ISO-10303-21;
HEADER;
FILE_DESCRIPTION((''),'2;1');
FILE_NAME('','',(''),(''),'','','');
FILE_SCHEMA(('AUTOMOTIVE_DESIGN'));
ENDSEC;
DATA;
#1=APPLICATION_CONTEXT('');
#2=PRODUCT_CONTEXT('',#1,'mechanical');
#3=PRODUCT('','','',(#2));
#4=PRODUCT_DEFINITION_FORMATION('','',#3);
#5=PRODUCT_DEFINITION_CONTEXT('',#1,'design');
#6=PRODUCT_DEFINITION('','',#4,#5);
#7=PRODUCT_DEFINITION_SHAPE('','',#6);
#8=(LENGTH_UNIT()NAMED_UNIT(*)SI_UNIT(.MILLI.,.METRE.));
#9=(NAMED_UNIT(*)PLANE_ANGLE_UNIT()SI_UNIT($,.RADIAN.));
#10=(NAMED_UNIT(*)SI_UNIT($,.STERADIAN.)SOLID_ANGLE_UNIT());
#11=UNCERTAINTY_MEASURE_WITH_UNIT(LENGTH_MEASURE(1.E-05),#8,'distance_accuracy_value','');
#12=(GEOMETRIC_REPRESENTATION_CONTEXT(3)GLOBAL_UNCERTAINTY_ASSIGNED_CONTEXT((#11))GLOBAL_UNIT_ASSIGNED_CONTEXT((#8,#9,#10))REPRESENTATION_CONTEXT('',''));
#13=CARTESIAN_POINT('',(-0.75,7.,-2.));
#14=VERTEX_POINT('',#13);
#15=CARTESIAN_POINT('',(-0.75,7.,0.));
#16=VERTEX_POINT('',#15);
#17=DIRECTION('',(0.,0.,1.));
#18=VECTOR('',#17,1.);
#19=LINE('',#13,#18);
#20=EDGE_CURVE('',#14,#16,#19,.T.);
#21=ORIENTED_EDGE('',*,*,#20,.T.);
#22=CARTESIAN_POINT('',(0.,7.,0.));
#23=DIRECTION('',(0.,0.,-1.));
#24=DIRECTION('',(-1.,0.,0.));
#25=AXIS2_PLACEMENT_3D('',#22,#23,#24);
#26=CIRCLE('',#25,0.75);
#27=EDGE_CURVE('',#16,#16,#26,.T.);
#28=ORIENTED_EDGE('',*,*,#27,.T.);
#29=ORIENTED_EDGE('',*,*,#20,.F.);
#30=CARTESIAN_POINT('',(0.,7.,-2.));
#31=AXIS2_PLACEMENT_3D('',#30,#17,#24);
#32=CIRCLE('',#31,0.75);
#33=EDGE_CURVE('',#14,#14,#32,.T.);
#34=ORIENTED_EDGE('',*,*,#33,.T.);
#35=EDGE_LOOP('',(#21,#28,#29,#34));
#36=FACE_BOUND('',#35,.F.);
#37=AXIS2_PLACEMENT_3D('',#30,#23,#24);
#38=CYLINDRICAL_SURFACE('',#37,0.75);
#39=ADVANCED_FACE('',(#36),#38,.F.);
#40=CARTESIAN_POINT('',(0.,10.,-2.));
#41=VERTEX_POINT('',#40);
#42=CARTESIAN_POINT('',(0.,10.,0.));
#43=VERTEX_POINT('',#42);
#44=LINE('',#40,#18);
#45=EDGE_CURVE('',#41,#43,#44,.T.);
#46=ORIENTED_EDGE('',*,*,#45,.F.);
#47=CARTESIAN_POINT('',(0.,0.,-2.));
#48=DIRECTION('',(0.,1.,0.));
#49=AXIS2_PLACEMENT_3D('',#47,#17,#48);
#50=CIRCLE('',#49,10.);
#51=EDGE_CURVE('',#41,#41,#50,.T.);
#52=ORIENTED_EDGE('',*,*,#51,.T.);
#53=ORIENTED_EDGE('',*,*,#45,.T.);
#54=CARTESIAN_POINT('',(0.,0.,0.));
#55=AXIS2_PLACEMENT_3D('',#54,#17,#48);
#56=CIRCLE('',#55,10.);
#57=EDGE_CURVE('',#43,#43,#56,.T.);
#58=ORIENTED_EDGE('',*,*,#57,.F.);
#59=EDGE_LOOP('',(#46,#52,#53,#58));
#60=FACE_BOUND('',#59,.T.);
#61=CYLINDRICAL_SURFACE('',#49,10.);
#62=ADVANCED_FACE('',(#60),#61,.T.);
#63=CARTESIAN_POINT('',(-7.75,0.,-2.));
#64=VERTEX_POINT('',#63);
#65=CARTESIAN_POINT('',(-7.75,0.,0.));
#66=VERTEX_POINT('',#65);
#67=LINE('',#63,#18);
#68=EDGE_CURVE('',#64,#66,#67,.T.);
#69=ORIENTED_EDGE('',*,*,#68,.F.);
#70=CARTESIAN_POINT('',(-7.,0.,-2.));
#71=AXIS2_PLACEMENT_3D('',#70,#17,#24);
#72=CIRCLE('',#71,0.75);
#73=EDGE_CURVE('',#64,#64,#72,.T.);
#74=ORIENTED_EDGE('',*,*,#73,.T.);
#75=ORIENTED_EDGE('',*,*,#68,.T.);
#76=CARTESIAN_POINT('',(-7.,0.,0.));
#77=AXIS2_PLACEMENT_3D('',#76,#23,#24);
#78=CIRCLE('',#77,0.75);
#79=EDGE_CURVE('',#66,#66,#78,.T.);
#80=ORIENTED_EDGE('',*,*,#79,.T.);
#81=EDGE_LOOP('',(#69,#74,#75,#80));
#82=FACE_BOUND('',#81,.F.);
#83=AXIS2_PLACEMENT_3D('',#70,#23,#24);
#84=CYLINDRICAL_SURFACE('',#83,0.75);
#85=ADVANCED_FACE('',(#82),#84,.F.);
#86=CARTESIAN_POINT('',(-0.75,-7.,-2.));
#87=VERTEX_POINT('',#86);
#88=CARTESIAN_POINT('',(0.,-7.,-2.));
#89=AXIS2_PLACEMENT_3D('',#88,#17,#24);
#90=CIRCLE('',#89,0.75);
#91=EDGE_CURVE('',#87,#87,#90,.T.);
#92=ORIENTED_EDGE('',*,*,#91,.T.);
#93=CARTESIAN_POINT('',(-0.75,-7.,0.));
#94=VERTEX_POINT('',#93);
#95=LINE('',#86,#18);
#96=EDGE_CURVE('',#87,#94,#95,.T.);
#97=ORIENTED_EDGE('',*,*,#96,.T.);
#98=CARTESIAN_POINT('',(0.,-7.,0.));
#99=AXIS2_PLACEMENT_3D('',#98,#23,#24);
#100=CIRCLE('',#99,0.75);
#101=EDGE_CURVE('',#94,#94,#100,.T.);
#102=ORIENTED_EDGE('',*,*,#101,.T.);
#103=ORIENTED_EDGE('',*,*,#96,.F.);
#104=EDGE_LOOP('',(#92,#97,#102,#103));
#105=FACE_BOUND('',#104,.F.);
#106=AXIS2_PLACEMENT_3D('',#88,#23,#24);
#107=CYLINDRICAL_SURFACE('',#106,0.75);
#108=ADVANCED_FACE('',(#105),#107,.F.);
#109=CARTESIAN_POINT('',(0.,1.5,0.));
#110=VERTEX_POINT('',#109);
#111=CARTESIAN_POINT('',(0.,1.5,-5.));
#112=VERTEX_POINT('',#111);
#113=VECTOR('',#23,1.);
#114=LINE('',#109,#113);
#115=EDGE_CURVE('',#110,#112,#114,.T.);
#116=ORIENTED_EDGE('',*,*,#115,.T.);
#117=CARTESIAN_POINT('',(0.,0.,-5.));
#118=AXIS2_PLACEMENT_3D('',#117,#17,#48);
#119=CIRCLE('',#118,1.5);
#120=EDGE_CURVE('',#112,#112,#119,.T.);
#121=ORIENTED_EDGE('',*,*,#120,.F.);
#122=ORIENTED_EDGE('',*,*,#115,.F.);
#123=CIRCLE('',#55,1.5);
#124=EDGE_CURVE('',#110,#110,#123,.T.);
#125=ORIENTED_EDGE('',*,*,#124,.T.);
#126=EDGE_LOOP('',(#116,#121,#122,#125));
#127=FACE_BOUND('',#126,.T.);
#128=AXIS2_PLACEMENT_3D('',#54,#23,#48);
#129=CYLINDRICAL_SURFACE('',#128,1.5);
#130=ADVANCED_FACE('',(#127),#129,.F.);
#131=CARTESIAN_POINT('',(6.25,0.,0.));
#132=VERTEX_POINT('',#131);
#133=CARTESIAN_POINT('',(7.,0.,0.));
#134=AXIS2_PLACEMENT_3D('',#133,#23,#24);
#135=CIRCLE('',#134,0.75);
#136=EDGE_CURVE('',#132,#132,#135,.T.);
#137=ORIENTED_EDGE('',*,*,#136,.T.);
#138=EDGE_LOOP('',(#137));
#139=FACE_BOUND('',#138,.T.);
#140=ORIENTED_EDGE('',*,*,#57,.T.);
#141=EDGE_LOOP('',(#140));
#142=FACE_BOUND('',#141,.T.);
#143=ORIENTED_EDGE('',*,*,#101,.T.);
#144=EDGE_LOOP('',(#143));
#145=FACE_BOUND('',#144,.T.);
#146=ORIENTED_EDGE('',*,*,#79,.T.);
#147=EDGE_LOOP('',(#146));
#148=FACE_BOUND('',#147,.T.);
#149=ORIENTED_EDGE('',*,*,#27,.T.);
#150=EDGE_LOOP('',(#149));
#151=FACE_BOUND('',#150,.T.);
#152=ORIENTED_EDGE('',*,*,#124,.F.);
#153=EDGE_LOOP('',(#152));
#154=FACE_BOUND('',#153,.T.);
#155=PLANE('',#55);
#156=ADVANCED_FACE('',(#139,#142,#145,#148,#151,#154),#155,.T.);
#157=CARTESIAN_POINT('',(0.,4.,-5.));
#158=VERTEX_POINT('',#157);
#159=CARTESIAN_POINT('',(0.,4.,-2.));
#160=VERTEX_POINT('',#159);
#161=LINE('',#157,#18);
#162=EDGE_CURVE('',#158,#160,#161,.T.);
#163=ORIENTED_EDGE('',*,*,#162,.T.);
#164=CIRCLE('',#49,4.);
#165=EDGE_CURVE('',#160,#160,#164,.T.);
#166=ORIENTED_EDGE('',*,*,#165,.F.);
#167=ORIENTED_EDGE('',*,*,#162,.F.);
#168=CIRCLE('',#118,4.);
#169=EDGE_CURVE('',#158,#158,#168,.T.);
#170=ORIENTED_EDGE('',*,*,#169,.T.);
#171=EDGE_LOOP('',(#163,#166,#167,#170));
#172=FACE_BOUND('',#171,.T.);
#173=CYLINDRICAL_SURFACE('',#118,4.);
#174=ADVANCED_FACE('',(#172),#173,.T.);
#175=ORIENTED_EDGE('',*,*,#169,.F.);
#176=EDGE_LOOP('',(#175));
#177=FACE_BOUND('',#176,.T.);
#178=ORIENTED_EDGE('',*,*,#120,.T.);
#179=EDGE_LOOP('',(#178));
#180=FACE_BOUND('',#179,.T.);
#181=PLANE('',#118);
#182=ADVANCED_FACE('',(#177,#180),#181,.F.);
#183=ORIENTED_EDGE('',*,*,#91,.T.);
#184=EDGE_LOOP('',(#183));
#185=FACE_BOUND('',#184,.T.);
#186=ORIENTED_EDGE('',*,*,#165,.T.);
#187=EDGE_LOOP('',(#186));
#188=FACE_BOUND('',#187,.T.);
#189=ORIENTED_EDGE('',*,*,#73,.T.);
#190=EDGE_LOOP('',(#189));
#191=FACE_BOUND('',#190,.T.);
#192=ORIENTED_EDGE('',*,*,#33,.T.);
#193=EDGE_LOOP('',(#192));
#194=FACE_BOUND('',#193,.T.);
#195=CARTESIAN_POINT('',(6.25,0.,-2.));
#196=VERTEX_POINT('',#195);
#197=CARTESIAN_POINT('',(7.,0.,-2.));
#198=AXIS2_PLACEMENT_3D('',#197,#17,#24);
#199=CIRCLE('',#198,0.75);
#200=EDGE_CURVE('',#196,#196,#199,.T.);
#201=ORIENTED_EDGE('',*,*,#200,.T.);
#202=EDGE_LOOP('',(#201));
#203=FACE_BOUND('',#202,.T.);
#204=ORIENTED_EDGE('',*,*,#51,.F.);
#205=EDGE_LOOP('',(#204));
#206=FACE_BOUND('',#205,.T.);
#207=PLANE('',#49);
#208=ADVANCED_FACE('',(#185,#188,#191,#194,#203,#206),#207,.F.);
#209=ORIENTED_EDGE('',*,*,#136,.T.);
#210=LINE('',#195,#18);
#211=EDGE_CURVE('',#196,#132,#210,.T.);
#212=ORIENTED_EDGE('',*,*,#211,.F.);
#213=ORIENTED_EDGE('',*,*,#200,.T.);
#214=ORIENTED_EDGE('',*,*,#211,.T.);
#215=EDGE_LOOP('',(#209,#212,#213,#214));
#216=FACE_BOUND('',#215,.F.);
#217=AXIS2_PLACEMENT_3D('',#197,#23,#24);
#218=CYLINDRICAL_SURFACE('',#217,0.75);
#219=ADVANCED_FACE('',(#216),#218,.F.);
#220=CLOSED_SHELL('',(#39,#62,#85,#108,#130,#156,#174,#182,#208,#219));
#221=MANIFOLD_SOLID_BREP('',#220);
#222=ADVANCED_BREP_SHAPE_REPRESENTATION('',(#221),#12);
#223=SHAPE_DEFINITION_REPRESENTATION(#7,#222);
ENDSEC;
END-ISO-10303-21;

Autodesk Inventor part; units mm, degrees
ref_plane "YZ Plane" through (0, 0, 0) normal (1, 0, 0) x (0, 1, 0)
ref_plane "XZ Plane" through (0, 0, 0) normal (0, 1, 0) x (-1, 0, 0)
ref_plane "XY Plane" through (0, 0, 0) normal (0, 0, 1) x (1, 0, 0)
sketch "Boceto1" plane through (0, 0, 0) normal (1, 0, 0) x (0, 1, 0)
  line L0 (1.5, 0) -> (1.5, -5)
  line L1 (1.5, -5) -> (4, -5)
  line L2 (4, -5) -> (4, -2)
  line L3 (4, -2) -> (10, -2)
  line L4 (10, -2) -> (10, 0)
  line L5 (10, 0) -> (1.5, 0)
  line L6 (0, 0) -> (0, -11.2963)
  line L7 (0, -13.5555) -> (0, 2.2593) projected
  dimension "d0" = 10
  dimension "d1" = 1.5
  dimension "d4" = 4
  dimension "d6" = 2
  dimension "d7" = 5
revolve "Revolución1" add sketch "Boceto1" angle 360 about axis through (0, 0, -10) along (0, 0, 1)
sketch "Boceto2" plane through (0, 0, -2) normal (0, 0, -1) x (-1, 0, 0)
  circle A0 centre (0, 7) radius 0.75
  circle A1 centre (-7, 0) radius 0.75
  circle A2 centre (0, -7) radius 0.75
  circle A3 centre (7, 0) radius 0.75
  circle A4 centre (0, 0) radius 7
  dimension "d25" = 14
  dimension "d20" = 1.5
  dimension "d23" = 360
extrude "Extrusión1" cut sketch "Boceto2" against normal through all contours A0 A4 | A4 A0 | A4 A1 | A1 A4 | A4 A3 | A3 A4 | A4 A2 | A2 A4
properties part number "Brida de servo"
